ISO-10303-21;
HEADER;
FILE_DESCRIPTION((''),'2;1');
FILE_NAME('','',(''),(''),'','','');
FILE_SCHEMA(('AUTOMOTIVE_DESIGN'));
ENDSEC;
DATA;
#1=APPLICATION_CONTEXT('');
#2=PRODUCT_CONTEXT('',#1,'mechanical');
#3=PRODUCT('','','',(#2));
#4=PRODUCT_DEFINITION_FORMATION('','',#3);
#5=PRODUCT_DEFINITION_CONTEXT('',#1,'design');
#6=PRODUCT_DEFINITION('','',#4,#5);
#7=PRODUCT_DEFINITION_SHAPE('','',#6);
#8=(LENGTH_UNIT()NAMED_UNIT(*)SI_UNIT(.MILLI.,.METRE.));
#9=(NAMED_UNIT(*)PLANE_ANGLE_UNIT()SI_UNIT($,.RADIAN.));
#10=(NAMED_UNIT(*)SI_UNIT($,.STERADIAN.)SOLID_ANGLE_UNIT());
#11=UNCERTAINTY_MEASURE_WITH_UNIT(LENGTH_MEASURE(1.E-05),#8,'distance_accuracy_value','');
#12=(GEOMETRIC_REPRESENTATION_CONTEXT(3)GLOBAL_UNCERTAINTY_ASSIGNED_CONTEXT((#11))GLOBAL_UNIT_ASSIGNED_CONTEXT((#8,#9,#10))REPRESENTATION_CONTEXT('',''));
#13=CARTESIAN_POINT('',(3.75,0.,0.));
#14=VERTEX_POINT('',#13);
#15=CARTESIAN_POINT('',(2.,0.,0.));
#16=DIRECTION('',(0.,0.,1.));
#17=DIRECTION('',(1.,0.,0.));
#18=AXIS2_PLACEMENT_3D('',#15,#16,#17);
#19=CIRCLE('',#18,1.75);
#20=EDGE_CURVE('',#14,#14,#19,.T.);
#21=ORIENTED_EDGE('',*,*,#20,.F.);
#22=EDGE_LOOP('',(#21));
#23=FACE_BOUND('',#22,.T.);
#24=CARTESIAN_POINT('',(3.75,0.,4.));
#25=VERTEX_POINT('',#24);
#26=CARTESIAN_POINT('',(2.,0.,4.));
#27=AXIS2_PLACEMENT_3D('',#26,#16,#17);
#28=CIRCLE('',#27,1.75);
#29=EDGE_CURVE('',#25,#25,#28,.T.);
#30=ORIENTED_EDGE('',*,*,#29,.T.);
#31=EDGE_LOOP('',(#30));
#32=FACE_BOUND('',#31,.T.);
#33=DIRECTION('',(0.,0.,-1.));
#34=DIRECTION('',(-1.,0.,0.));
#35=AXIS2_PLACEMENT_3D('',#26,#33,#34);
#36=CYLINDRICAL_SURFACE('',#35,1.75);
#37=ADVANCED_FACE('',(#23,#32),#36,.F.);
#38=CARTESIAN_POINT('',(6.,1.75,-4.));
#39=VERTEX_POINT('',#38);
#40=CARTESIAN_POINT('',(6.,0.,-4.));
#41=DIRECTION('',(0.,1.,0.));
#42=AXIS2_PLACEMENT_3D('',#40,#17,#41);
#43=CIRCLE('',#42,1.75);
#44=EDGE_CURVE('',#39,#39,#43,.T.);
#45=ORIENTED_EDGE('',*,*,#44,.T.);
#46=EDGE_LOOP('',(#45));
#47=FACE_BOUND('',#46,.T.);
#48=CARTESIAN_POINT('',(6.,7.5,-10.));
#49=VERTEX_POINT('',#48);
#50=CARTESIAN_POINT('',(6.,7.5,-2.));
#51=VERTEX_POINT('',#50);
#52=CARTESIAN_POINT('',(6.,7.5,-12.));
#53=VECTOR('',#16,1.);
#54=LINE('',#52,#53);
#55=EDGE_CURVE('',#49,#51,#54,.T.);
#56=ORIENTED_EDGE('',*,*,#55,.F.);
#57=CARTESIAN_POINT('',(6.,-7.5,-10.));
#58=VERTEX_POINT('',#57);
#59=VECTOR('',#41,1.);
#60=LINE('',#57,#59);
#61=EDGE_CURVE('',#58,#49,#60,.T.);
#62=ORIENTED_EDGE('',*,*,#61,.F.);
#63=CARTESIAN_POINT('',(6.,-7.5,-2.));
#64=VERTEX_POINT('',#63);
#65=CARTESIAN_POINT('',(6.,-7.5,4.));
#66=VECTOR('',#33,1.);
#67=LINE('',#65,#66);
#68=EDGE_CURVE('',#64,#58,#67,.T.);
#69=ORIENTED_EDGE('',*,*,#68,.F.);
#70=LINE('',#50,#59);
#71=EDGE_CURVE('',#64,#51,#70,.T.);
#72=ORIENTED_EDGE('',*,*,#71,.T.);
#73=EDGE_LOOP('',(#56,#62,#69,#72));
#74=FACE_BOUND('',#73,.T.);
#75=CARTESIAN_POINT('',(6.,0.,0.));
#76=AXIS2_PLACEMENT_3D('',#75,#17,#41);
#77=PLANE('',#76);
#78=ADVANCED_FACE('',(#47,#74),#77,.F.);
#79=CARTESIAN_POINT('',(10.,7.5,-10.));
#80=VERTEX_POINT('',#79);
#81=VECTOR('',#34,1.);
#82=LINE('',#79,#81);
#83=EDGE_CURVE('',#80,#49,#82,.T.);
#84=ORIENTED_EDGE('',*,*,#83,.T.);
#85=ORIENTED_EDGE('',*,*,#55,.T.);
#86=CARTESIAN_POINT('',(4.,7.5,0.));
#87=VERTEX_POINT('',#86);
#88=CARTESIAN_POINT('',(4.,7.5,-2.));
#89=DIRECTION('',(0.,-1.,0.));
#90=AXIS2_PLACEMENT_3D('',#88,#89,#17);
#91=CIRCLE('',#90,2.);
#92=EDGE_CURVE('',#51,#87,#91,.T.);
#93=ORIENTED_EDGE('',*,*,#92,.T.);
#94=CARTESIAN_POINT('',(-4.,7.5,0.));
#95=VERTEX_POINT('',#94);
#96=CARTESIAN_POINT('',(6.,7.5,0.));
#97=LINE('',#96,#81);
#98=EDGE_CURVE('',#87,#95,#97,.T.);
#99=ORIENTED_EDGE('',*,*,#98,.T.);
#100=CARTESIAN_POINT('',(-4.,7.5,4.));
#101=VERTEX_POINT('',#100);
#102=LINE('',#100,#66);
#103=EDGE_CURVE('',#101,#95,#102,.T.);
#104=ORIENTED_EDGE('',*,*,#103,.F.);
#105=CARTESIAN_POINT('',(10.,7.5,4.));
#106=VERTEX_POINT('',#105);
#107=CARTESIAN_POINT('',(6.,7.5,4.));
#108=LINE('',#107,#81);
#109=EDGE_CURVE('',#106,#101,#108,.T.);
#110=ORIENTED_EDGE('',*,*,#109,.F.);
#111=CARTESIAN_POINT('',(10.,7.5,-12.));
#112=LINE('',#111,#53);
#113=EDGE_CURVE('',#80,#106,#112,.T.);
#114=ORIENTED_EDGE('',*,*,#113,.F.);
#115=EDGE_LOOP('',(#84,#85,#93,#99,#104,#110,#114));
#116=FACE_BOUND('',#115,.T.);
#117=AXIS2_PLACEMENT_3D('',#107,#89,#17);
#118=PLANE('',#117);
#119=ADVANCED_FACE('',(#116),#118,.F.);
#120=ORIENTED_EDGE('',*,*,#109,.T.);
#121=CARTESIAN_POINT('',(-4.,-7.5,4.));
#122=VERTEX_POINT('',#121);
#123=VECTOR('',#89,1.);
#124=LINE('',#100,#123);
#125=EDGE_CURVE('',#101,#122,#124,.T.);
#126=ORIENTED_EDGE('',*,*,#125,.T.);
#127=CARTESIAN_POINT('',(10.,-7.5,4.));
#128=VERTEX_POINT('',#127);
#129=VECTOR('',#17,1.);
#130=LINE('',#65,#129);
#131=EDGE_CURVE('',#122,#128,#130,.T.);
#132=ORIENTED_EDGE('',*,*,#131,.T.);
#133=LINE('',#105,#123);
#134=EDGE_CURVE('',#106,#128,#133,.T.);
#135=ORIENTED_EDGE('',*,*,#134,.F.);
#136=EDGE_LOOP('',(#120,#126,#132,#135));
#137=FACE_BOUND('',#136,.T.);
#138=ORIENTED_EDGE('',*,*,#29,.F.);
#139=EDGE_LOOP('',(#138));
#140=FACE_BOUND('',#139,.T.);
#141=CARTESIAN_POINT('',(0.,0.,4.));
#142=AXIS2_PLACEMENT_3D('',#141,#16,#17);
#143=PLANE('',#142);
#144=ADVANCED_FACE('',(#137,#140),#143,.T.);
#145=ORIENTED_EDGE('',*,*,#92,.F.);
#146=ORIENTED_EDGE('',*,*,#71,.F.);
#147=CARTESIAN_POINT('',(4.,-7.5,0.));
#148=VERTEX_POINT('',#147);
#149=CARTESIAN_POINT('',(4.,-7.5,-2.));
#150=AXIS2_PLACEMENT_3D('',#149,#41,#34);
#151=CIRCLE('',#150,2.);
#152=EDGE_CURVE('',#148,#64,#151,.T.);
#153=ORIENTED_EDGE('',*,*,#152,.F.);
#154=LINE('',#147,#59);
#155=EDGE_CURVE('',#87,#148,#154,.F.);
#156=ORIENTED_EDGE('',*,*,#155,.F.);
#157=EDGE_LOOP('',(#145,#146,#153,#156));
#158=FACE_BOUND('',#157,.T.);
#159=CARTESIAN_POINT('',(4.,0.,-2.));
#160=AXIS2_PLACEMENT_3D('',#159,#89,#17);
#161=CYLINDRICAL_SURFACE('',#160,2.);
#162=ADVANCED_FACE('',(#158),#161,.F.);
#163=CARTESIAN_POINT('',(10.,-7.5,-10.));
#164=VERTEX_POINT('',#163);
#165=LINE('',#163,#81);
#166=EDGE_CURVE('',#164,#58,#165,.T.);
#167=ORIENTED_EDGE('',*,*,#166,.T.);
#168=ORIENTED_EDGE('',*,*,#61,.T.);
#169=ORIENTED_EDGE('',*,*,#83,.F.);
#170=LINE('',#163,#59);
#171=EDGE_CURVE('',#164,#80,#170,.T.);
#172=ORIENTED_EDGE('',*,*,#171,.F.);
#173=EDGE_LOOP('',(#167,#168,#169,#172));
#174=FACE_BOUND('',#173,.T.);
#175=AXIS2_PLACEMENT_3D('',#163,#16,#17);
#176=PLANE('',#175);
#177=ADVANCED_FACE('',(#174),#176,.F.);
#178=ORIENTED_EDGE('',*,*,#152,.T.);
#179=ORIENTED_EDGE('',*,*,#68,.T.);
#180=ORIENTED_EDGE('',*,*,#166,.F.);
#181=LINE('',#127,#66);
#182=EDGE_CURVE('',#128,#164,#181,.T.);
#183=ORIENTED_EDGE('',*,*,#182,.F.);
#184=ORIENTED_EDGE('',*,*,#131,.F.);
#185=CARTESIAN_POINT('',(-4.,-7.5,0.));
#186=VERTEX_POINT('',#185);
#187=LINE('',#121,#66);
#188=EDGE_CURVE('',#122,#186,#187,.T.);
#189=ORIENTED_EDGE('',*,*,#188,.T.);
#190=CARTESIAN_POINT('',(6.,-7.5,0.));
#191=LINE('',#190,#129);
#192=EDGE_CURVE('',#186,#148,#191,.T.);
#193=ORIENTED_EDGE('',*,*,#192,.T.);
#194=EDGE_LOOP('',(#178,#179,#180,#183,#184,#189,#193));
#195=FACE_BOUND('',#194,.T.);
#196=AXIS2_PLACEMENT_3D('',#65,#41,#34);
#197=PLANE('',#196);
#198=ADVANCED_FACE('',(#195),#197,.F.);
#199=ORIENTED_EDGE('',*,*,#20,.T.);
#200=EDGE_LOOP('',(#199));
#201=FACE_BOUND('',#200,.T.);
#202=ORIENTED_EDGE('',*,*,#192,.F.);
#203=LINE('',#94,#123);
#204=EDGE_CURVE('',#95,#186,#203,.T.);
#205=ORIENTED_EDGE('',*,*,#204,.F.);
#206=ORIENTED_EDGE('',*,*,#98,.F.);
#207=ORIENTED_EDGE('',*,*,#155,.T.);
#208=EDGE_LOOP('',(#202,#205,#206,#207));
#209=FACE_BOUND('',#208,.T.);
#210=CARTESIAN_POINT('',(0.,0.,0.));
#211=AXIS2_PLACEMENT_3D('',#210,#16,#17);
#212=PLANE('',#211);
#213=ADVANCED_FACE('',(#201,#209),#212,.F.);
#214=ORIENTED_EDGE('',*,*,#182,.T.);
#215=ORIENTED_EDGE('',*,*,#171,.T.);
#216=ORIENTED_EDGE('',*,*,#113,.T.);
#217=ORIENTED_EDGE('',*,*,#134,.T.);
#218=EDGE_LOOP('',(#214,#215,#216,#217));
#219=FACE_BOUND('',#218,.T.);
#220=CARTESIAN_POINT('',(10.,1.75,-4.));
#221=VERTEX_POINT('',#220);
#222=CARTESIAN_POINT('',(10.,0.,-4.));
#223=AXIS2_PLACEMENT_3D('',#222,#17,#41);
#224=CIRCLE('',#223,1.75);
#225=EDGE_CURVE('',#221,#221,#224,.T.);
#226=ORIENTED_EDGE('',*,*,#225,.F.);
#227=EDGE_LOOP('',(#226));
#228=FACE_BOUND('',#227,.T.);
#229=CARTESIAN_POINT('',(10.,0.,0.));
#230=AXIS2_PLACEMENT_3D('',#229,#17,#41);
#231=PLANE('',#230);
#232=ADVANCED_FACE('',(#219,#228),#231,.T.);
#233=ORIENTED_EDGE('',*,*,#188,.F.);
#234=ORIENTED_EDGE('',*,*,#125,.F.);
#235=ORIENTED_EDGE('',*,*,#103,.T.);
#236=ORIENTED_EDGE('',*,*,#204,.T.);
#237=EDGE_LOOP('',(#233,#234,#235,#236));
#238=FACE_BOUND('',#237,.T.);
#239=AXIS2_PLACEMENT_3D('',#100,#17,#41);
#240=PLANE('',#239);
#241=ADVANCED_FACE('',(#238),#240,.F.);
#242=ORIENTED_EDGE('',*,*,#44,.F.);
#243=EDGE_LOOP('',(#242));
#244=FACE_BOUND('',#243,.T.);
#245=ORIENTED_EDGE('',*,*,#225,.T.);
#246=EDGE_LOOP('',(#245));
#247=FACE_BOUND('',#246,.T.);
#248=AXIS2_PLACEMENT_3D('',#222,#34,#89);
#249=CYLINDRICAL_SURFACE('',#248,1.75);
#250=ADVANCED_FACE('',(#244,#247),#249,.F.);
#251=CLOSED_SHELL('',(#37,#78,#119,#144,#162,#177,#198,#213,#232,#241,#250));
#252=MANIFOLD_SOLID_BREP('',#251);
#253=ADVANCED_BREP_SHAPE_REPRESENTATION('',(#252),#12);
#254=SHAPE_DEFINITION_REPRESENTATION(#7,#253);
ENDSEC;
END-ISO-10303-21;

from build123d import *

# Parameters (mm, degrees)
SKETCH_1_W          = 12
SKETCH_1_H          = 15
SKETCH_1_R          = 1.75
EXTRUDE_1_DEPTH     = 4
SKETCH_2_W          = 16
SKETCH_2_H          = 15
SKETCH_2_R          = 1.75
EXTRUDE_2_DEPTH     = 4
FILLET_1_R          = 2
SKETCH_3_W          = 2
SKETCH_3_H          = 15
CUT_EXTRUDE_1_DEPTH = 4
SKETCH_4_W          = 2
SKETCH_4_H          = 15
CUT_EXTRUDE_2_DEPTH = 4


with BuildPart() as part:
    # 草图1 → 凸台-拉伸1 (new body)
    with BuildSketch(Plane.XY):
        Rectangle(SKETCH_1_W, SKETCH_1_H)
        with Locations((2, 0)):
            Circle(SKETCH_1_R, mode=Mode.SUBTRACT)
    extrude(amount=EXTRUDE_1_DEPTH)

    # 草图2 → 凸台-拉伸2 (add)
    with BuildSketch(Plane(origin=(6, 0, 0), x_dir=(0, 0, -1), z_dir=(1, 0, 0))):
        with Locations((4, 0)):
            Rectangle(SKETCH_2_W, SKETCH_2_H)
        with Locations((4, 0)):
            Circle(SKETCH_2_R, mode=Mode.SUBTRACT)
    extrude(amount=EXTRUDE_2_DEPTH)

    # 圆角1
    fillet_1_edges = [part.edges().sort_by_distance(p)[0] for p in [
        (6, 0, 0),
    ]]
    fillet(fillet_1_edges, radius=FILLET_1_R)

    # 草图3 → 切除-拉伸1 (cut)
    with BuildSketch(Plane.ZY.offset(-6)):
        with Locations((-11, 0)):
            Rectangle(SKETCH_3_W, SKETCH_3_H)
    extrude(amount=-CUT_EXTRUDE_1_DEPTH, mode=Mode.SUBTRACT)

    # 草图4 → 切除-拉伸2 (cut)
    with BuildSketch(Plane(origin=(0, 0, 0), x_dir=(-1, 0, 0), z_dir=(0, 0, -1))):
        with Locations((5, 0)):
            Rectangle(SKETCH_4_W, SKETCH_4_H)
    extrude(amount=-CUT_EXTRUDE_2_DEPTH, mode=Mode.SUBTRACT)


solid = part.part
